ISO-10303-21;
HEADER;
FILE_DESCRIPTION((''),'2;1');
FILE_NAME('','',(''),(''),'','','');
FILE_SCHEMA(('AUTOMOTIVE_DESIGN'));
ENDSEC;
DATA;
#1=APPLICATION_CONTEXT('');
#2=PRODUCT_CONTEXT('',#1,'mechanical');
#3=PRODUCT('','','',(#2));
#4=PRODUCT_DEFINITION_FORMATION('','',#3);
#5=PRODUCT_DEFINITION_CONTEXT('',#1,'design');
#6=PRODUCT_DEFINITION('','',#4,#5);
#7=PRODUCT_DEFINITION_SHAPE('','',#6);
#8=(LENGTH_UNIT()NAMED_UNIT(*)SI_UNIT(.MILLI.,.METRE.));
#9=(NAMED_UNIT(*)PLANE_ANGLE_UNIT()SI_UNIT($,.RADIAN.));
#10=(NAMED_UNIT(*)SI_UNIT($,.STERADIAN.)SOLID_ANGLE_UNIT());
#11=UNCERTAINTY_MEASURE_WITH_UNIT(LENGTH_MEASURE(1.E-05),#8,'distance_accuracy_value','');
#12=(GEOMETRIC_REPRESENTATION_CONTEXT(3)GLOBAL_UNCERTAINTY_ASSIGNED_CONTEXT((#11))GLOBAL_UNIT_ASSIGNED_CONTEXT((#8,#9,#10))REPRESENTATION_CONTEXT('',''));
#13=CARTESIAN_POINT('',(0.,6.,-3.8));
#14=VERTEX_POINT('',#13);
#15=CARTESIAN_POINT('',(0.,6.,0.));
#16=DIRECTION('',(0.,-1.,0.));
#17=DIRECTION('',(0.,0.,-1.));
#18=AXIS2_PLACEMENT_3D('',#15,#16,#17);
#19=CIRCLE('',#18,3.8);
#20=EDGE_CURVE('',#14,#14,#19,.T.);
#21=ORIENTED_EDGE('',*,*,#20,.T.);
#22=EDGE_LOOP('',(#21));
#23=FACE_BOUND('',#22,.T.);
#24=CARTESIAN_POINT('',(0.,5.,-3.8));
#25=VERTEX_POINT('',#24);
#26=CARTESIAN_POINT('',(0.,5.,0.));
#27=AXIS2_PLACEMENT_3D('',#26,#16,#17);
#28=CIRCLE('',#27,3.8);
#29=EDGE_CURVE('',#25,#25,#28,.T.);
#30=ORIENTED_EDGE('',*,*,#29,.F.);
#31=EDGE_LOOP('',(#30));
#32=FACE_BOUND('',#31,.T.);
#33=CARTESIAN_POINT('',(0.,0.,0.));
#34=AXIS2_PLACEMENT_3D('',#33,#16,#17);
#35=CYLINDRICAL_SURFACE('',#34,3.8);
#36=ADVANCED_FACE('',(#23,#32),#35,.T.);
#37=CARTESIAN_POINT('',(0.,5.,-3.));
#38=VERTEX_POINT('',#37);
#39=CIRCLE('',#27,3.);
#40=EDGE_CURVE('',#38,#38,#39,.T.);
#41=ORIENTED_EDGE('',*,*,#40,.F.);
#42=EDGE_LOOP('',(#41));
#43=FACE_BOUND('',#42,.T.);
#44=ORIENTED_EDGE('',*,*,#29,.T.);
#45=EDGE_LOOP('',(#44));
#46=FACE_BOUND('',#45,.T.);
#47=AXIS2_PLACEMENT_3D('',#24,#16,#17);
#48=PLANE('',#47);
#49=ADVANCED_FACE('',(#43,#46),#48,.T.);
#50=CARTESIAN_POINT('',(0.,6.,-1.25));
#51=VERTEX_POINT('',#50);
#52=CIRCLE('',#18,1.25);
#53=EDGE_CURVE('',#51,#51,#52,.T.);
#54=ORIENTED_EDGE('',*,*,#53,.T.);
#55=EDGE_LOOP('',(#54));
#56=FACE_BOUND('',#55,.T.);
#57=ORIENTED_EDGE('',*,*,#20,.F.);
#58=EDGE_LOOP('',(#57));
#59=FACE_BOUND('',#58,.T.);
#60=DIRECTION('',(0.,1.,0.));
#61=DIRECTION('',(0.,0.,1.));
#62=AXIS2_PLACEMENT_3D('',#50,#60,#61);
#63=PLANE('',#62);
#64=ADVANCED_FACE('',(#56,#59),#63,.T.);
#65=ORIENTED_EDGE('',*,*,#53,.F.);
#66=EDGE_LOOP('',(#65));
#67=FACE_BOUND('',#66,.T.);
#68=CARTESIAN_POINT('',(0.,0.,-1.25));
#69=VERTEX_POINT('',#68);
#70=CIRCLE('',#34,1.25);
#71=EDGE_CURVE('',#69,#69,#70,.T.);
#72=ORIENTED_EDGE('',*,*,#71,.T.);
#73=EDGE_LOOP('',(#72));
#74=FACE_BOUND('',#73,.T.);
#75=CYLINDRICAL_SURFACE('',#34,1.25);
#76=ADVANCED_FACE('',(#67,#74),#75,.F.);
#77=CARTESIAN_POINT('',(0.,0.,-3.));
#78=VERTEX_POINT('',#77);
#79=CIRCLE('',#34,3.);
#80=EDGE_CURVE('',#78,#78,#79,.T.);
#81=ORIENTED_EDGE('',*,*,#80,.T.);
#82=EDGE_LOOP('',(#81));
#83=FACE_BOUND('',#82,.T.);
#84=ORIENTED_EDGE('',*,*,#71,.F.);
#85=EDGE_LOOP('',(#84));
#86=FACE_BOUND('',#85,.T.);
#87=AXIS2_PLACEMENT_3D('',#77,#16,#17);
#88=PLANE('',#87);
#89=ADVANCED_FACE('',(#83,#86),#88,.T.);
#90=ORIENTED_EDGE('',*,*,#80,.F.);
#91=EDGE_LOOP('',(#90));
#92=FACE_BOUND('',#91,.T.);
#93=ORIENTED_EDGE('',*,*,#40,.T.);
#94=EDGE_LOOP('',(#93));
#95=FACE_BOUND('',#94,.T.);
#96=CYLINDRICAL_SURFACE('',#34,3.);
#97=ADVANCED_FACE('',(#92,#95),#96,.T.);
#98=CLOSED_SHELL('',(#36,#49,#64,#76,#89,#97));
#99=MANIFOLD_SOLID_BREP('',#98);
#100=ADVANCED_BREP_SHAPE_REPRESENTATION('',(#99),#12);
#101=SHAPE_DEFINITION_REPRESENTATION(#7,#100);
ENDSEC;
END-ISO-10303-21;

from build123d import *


with BuildPart() as part:
    # Sketch1 → Revolve1 (revolve)
    with BuildSketch(Plane(origin=(0, 0, 0), x_dir=(0, 0, -1), z_dir=(1, 0, 0))):
        Polygon((1.25, 0), (1.25, 6), (3.8, 6), (3.8, 5), (3, 5), (3, 0), align=None)
    revolve(axis=Axis((0, 0, 0), (0, 1, 0)))


solid = part.part
